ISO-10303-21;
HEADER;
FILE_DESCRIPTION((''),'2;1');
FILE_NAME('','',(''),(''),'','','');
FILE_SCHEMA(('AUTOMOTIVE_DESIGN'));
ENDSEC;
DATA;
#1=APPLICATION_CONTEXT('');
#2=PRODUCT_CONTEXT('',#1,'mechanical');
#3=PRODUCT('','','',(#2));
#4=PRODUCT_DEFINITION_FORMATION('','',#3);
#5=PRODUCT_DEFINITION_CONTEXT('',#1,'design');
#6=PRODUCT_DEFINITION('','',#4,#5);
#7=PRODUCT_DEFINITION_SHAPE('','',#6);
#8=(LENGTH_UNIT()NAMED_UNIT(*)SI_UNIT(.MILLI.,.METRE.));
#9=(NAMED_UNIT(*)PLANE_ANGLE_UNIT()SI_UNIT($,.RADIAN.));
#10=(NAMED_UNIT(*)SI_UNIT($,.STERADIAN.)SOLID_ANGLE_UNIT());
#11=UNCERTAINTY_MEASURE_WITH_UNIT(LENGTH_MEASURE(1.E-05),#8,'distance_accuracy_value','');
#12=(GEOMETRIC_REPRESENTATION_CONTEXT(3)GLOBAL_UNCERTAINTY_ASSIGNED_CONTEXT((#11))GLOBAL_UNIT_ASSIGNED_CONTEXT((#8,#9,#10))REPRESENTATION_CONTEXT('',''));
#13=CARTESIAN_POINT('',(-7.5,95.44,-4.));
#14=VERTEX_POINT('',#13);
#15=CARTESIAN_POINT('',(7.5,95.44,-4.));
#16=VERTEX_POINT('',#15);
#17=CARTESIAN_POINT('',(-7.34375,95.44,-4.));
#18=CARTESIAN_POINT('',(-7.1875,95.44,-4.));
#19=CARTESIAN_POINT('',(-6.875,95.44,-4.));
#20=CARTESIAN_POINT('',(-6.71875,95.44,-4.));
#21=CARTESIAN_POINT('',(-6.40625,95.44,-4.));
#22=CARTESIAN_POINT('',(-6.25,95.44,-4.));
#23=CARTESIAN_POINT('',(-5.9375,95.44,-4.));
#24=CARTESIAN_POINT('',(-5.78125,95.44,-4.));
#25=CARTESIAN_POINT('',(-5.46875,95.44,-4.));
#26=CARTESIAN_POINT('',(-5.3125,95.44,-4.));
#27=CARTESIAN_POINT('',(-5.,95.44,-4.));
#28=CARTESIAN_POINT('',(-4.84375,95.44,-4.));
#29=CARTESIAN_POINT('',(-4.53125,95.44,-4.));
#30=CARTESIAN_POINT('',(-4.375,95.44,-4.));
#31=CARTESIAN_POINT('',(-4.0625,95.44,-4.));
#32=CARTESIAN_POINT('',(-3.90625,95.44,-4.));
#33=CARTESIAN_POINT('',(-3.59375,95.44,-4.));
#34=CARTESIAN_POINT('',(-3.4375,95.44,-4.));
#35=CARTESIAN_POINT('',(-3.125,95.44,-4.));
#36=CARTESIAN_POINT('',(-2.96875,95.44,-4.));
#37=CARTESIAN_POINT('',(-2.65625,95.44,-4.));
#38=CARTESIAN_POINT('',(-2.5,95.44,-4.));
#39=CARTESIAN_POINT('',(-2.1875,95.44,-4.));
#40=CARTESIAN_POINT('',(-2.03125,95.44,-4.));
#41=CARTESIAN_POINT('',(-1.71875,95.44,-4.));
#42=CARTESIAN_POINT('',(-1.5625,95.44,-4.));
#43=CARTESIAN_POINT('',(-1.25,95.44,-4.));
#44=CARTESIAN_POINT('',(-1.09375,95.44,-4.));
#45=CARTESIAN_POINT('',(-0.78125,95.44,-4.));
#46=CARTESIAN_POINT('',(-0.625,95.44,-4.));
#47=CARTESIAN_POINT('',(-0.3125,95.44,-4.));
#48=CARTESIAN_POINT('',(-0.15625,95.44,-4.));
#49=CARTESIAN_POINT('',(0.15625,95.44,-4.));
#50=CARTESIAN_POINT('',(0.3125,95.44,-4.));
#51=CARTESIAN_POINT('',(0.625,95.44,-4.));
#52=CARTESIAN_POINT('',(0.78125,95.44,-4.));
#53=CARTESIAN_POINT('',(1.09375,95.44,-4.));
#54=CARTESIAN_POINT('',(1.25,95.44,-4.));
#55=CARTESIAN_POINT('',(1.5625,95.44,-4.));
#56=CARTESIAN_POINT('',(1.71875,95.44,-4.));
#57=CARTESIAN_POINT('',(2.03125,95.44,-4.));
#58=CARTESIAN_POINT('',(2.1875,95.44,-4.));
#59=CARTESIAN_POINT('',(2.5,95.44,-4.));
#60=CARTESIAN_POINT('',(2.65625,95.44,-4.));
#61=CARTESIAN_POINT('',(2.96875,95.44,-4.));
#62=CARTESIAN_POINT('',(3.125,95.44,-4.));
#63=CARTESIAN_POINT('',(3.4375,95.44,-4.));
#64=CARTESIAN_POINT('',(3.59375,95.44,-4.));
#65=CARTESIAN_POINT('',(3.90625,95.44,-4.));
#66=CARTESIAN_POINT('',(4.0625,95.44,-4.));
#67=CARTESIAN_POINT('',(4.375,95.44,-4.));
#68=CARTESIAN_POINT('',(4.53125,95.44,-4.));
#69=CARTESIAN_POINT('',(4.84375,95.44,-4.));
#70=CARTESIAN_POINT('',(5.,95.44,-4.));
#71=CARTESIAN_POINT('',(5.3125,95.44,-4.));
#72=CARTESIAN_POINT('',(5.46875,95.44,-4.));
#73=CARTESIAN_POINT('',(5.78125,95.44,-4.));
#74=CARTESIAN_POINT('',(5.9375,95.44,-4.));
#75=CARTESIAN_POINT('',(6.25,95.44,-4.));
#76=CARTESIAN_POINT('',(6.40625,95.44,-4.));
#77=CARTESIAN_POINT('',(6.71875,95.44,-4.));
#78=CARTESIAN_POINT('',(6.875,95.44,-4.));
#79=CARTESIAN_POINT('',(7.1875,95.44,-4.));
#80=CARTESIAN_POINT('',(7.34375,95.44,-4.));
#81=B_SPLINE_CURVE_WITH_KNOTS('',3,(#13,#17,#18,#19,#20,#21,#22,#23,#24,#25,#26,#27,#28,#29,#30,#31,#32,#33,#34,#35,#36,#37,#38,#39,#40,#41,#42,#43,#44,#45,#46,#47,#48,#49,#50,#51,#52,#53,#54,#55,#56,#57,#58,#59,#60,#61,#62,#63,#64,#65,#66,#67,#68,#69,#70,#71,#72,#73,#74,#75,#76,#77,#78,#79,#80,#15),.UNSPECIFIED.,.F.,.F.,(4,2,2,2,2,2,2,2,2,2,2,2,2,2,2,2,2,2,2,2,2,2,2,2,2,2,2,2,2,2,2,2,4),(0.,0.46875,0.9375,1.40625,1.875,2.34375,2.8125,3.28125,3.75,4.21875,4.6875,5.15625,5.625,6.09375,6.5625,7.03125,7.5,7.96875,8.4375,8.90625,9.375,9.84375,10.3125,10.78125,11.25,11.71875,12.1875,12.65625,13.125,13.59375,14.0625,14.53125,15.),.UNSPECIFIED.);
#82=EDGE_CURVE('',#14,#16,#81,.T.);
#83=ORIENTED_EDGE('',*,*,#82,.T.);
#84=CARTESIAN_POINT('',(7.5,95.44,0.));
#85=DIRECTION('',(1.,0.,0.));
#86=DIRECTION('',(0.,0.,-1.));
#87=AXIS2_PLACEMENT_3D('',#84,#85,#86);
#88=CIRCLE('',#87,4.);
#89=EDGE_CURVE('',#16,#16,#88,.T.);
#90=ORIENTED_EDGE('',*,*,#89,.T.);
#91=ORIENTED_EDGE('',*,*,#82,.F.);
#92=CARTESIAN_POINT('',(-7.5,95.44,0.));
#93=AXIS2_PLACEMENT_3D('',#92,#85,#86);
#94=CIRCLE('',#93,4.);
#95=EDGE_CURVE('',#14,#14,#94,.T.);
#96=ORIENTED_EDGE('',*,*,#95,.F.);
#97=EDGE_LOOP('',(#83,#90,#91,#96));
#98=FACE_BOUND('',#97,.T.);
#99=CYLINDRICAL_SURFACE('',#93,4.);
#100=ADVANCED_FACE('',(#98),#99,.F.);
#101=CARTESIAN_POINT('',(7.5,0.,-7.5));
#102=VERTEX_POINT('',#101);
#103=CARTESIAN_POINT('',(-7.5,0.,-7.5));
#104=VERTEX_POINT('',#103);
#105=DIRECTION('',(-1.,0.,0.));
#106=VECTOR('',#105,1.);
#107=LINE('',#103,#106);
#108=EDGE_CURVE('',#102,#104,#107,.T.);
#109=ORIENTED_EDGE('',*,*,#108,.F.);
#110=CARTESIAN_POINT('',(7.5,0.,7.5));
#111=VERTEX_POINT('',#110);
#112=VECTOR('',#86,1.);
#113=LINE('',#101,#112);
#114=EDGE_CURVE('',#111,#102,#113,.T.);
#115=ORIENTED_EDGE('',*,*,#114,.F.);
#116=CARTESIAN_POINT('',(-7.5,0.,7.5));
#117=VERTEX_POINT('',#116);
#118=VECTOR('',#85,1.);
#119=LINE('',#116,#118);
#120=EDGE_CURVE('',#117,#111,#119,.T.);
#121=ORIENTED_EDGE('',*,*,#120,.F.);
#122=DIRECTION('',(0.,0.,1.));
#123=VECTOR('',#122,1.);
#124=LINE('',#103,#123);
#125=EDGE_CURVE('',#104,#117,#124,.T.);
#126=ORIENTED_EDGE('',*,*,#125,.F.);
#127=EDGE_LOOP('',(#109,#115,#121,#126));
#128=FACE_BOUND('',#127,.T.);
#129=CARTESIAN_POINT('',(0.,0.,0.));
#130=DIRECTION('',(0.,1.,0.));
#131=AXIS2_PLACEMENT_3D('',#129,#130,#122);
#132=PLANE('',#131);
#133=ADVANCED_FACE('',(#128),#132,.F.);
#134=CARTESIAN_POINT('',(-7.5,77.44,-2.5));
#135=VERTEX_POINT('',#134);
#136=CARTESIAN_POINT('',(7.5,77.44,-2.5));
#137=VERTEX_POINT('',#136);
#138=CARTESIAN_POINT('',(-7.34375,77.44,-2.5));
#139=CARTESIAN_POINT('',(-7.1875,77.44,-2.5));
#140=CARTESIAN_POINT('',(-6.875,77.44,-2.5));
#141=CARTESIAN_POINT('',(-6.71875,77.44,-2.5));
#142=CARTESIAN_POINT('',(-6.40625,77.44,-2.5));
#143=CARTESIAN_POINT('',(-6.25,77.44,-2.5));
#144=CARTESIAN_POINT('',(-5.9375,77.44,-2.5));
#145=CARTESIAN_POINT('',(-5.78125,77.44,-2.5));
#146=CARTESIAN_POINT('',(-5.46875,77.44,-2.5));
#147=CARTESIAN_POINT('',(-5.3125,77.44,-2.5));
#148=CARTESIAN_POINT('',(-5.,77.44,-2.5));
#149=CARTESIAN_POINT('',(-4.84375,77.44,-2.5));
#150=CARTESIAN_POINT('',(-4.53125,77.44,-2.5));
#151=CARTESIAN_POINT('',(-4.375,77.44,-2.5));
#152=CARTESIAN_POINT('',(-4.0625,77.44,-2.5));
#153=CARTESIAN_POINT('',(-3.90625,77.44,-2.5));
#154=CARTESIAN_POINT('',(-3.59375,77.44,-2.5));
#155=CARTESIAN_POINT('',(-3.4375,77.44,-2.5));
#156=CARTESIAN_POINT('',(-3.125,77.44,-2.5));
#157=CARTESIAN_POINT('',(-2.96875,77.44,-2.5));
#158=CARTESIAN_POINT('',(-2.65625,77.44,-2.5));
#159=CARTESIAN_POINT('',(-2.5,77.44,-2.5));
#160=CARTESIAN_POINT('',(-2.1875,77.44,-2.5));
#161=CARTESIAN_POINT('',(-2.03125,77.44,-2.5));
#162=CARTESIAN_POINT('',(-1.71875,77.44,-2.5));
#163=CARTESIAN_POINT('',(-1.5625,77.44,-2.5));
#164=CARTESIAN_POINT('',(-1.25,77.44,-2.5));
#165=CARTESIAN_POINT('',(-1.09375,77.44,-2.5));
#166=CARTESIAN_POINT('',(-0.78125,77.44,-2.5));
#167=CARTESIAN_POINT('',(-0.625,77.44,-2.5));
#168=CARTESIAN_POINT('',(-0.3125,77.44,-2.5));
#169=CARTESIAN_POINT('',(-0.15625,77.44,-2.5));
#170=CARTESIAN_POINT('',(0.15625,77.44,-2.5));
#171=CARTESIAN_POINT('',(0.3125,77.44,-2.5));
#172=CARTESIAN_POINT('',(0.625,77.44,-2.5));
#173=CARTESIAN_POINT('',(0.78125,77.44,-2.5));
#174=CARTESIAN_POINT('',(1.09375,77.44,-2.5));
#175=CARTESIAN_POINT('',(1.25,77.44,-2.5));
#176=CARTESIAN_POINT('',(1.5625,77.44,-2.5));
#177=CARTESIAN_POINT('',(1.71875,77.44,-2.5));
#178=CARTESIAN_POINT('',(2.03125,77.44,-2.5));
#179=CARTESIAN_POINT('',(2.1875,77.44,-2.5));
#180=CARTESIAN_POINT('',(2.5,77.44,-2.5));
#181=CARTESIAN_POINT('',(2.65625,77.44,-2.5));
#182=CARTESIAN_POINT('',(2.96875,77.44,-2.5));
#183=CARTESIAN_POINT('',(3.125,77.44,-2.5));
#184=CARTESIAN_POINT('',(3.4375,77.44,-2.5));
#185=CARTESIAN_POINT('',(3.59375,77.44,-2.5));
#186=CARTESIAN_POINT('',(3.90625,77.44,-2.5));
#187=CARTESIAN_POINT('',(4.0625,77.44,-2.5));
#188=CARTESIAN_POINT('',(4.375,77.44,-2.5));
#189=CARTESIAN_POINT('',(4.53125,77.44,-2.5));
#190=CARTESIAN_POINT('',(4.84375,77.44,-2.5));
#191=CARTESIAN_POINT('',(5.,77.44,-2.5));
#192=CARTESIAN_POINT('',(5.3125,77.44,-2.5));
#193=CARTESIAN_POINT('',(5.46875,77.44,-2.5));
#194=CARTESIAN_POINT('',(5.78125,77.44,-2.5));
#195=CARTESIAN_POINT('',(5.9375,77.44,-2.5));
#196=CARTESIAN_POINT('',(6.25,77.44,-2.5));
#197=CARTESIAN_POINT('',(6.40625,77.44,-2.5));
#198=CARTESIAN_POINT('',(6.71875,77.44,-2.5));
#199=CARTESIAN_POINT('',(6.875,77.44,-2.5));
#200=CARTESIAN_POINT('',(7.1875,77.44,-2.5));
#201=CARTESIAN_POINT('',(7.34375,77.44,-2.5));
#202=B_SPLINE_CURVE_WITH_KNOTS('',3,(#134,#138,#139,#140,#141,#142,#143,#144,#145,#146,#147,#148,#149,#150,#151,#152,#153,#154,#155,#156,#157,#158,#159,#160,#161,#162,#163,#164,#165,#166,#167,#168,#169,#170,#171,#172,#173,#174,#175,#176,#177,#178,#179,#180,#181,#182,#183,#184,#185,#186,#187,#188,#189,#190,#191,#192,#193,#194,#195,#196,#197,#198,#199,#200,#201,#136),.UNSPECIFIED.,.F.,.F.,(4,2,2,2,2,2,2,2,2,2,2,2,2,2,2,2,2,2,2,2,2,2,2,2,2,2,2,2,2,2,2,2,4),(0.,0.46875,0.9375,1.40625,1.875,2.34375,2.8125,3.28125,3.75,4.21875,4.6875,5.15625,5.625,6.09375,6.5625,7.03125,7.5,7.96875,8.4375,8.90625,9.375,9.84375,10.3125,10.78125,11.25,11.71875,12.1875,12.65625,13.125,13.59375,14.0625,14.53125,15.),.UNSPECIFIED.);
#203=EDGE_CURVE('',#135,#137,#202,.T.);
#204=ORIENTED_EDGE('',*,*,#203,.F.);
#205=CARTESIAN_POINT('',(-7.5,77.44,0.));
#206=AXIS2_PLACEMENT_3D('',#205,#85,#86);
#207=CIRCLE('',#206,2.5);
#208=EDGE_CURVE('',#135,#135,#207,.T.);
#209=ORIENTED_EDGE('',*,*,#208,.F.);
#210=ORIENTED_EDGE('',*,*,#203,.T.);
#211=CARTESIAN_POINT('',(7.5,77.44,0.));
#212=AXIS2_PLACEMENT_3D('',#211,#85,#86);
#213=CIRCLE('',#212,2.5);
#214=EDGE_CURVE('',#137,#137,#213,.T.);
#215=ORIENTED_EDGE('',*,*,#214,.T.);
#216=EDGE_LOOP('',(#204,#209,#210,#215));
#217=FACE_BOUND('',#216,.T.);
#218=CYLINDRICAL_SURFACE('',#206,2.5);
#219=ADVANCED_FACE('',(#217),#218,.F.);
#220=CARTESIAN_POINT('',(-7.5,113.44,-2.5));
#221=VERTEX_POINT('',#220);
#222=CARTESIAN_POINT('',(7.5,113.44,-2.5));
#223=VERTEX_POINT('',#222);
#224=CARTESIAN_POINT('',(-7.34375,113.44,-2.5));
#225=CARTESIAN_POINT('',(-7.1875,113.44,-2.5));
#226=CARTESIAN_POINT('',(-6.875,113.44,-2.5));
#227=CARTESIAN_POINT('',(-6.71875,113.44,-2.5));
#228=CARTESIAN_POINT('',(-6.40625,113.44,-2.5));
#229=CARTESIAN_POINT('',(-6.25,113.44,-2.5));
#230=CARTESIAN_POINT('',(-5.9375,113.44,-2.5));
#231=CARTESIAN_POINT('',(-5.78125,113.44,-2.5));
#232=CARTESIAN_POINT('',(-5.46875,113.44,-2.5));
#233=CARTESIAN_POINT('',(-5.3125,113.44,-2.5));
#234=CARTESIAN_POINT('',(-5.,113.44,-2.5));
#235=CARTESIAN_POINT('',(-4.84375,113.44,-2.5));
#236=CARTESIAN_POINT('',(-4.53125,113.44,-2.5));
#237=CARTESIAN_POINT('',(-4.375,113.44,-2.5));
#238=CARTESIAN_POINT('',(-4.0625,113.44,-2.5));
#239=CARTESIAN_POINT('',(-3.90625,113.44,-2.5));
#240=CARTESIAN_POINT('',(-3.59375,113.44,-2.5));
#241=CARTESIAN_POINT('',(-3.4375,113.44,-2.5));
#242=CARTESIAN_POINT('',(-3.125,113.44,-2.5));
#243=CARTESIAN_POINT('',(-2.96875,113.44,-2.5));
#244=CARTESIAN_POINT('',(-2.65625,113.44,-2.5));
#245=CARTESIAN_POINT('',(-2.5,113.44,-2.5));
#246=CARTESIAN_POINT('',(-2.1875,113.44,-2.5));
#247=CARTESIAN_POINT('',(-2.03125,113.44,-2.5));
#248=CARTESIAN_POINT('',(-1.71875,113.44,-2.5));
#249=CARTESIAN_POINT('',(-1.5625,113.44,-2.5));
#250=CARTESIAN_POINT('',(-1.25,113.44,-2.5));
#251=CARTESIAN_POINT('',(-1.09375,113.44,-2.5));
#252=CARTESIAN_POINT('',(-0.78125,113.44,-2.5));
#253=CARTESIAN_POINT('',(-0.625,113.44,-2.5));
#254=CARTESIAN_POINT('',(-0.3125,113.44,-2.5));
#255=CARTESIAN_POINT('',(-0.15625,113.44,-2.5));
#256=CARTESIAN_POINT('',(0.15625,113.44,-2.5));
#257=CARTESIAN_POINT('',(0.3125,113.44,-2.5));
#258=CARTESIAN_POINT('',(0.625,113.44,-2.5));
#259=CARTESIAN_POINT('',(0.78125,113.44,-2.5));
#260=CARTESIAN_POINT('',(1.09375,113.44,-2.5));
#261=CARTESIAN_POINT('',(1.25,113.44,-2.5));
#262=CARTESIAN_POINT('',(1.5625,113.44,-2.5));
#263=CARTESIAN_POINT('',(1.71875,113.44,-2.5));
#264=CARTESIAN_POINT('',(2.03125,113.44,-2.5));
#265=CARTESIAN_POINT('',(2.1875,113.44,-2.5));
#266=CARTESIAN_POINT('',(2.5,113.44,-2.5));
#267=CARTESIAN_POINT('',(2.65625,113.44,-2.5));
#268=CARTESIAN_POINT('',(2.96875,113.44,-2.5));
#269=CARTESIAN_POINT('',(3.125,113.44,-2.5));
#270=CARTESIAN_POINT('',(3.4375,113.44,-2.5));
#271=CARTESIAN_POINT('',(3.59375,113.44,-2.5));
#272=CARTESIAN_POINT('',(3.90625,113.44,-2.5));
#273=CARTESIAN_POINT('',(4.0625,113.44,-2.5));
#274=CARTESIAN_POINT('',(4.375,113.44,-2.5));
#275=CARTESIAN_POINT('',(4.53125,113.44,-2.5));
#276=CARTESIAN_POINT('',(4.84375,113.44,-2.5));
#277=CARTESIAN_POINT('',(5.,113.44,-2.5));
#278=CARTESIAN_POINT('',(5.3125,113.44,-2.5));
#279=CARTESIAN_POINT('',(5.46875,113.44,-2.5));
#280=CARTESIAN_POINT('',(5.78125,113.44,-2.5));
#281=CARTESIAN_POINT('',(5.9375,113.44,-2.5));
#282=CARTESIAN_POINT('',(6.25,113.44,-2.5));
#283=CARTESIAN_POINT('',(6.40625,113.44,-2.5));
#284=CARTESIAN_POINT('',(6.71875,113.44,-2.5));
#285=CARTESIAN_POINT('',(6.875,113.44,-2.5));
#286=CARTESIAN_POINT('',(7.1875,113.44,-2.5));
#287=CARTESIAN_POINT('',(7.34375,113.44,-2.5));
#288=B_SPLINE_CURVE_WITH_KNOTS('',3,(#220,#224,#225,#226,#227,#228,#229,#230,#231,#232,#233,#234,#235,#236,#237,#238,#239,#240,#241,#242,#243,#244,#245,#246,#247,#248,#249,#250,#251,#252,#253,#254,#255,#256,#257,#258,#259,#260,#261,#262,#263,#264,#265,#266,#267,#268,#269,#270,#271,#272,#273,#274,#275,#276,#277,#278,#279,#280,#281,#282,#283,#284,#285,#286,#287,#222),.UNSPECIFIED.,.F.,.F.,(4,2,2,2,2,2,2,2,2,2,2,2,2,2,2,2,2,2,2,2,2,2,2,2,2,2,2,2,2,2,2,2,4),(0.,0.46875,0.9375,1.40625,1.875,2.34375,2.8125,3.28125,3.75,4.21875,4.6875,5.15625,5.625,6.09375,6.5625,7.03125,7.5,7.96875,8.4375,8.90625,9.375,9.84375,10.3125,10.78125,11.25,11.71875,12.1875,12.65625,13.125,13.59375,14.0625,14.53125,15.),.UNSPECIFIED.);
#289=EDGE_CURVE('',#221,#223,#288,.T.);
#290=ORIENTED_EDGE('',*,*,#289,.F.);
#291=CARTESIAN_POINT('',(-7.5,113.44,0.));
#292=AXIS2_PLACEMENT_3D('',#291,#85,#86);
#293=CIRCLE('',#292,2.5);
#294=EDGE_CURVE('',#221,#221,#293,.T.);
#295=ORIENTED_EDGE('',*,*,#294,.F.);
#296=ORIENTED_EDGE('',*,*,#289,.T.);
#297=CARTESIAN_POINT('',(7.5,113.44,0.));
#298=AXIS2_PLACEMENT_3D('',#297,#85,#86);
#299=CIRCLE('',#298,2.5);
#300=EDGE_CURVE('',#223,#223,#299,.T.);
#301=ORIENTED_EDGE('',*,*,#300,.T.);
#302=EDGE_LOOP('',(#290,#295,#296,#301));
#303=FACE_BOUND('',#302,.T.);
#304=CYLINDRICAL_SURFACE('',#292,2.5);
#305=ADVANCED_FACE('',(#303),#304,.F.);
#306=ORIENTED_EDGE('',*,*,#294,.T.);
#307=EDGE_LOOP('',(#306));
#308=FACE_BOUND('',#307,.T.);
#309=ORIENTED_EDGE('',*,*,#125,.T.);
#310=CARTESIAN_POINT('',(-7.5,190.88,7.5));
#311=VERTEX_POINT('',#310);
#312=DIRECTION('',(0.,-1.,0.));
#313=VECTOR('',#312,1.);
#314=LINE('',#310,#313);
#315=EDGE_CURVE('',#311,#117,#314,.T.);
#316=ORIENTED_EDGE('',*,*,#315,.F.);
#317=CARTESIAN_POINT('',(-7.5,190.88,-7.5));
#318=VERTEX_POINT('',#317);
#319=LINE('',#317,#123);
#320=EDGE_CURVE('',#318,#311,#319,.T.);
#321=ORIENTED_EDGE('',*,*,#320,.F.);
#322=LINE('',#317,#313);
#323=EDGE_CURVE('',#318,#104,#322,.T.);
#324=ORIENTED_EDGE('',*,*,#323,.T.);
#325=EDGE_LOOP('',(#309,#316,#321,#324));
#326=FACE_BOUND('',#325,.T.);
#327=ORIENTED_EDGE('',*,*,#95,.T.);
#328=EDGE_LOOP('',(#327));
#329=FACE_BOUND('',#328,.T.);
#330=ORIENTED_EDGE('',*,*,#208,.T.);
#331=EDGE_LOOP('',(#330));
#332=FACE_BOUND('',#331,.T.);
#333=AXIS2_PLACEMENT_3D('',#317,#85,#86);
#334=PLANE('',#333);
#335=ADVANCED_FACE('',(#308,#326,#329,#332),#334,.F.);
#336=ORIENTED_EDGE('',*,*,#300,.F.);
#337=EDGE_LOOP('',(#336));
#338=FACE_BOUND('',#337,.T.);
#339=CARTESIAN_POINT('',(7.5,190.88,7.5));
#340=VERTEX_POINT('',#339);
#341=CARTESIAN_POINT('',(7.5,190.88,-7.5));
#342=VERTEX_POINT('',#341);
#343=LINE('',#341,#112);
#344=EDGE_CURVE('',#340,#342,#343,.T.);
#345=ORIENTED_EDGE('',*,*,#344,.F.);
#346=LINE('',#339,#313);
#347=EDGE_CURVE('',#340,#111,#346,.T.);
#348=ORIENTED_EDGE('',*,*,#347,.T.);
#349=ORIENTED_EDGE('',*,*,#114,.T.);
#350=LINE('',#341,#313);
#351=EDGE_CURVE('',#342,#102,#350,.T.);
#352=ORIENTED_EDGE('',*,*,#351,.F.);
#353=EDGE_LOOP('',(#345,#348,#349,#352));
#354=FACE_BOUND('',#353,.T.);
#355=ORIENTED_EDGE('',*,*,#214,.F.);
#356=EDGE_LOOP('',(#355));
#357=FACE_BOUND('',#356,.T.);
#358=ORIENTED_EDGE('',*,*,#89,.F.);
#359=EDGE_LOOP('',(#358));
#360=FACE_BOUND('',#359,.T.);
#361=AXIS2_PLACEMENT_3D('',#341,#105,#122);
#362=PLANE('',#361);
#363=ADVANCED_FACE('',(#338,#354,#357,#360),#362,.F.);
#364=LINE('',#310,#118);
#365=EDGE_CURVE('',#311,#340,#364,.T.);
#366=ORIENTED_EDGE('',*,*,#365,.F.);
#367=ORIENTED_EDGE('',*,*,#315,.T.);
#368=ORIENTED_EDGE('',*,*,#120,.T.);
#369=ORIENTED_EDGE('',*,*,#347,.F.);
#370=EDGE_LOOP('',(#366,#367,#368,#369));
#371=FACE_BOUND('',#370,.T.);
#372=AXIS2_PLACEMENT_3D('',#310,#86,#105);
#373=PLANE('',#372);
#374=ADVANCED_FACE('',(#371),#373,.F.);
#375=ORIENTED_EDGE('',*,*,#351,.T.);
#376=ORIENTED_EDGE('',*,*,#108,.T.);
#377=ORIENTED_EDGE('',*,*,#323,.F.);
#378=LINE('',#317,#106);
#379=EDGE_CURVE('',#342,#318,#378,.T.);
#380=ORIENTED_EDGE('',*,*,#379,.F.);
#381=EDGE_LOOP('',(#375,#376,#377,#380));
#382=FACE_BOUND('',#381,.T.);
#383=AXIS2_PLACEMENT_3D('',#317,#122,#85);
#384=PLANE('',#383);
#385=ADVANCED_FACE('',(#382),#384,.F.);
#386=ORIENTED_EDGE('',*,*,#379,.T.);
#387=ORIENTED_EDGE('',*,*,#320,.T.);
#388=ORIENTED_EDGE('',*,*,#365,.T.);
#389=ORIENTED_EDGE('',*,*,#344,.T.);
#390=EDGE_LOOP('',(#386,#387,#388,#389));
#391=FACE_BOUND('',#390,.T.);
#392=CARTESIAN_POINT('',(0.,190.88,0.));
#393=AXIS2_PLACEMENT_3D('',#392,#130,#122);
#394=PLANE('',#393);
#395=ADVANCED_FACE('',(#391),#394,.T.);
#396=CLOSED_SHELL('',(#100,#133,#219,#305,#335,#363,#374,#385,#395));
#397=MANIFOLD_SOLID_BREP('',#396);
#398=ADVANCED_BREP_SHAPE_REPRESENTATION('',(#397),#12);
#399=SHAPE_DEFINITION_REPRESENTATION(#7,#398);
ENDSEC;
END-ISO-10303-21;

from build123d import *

# Parameters (mm, degrees)
SKETCH_1_W          = 15
SKETCH_1_H          = 15
EXTRUDE_1_DEPTH     = 190.88
SKETCH_2_R          = 4
SKETCH_2_R_2        = 2.5
CUT_EXTRUDE_1_DEPTH = 192.615303147


with BuildPart() as part:
    # 草图1 → 凸台-拉伸1 (new body)
    with BuildSketch(Plane(origin=(0, 0, 0), x_dir=(1, 0, 0), z_dir=(0, 1, 0))):
        Rectangle(SKETCH_1_W, SKETCH_1_H)
    extrude(amount=EXTRUDE_1_DEPTH)

    # 草图2 → 切除-拉伸1 (cut, through all)
    with BuildSketch(Plane(origin=(7.5, 0, 0), x_dir=(0, 0, -1), z_dir=(1, 0, 0))):
        with Locations((0, 95.44)):
            Circle(SKETCH_2_R)
        with Locations((0, 113.44)):
            Circle(SKETCH_2_R_2)
        with Locations((0, 77.44)):
            Circle(SKETCH_2_R_2)
    extrude(amount=-CUT_EXTRUDE_1_DEPTH, mode=Mode.SUBTRACT)


solid = part.part
